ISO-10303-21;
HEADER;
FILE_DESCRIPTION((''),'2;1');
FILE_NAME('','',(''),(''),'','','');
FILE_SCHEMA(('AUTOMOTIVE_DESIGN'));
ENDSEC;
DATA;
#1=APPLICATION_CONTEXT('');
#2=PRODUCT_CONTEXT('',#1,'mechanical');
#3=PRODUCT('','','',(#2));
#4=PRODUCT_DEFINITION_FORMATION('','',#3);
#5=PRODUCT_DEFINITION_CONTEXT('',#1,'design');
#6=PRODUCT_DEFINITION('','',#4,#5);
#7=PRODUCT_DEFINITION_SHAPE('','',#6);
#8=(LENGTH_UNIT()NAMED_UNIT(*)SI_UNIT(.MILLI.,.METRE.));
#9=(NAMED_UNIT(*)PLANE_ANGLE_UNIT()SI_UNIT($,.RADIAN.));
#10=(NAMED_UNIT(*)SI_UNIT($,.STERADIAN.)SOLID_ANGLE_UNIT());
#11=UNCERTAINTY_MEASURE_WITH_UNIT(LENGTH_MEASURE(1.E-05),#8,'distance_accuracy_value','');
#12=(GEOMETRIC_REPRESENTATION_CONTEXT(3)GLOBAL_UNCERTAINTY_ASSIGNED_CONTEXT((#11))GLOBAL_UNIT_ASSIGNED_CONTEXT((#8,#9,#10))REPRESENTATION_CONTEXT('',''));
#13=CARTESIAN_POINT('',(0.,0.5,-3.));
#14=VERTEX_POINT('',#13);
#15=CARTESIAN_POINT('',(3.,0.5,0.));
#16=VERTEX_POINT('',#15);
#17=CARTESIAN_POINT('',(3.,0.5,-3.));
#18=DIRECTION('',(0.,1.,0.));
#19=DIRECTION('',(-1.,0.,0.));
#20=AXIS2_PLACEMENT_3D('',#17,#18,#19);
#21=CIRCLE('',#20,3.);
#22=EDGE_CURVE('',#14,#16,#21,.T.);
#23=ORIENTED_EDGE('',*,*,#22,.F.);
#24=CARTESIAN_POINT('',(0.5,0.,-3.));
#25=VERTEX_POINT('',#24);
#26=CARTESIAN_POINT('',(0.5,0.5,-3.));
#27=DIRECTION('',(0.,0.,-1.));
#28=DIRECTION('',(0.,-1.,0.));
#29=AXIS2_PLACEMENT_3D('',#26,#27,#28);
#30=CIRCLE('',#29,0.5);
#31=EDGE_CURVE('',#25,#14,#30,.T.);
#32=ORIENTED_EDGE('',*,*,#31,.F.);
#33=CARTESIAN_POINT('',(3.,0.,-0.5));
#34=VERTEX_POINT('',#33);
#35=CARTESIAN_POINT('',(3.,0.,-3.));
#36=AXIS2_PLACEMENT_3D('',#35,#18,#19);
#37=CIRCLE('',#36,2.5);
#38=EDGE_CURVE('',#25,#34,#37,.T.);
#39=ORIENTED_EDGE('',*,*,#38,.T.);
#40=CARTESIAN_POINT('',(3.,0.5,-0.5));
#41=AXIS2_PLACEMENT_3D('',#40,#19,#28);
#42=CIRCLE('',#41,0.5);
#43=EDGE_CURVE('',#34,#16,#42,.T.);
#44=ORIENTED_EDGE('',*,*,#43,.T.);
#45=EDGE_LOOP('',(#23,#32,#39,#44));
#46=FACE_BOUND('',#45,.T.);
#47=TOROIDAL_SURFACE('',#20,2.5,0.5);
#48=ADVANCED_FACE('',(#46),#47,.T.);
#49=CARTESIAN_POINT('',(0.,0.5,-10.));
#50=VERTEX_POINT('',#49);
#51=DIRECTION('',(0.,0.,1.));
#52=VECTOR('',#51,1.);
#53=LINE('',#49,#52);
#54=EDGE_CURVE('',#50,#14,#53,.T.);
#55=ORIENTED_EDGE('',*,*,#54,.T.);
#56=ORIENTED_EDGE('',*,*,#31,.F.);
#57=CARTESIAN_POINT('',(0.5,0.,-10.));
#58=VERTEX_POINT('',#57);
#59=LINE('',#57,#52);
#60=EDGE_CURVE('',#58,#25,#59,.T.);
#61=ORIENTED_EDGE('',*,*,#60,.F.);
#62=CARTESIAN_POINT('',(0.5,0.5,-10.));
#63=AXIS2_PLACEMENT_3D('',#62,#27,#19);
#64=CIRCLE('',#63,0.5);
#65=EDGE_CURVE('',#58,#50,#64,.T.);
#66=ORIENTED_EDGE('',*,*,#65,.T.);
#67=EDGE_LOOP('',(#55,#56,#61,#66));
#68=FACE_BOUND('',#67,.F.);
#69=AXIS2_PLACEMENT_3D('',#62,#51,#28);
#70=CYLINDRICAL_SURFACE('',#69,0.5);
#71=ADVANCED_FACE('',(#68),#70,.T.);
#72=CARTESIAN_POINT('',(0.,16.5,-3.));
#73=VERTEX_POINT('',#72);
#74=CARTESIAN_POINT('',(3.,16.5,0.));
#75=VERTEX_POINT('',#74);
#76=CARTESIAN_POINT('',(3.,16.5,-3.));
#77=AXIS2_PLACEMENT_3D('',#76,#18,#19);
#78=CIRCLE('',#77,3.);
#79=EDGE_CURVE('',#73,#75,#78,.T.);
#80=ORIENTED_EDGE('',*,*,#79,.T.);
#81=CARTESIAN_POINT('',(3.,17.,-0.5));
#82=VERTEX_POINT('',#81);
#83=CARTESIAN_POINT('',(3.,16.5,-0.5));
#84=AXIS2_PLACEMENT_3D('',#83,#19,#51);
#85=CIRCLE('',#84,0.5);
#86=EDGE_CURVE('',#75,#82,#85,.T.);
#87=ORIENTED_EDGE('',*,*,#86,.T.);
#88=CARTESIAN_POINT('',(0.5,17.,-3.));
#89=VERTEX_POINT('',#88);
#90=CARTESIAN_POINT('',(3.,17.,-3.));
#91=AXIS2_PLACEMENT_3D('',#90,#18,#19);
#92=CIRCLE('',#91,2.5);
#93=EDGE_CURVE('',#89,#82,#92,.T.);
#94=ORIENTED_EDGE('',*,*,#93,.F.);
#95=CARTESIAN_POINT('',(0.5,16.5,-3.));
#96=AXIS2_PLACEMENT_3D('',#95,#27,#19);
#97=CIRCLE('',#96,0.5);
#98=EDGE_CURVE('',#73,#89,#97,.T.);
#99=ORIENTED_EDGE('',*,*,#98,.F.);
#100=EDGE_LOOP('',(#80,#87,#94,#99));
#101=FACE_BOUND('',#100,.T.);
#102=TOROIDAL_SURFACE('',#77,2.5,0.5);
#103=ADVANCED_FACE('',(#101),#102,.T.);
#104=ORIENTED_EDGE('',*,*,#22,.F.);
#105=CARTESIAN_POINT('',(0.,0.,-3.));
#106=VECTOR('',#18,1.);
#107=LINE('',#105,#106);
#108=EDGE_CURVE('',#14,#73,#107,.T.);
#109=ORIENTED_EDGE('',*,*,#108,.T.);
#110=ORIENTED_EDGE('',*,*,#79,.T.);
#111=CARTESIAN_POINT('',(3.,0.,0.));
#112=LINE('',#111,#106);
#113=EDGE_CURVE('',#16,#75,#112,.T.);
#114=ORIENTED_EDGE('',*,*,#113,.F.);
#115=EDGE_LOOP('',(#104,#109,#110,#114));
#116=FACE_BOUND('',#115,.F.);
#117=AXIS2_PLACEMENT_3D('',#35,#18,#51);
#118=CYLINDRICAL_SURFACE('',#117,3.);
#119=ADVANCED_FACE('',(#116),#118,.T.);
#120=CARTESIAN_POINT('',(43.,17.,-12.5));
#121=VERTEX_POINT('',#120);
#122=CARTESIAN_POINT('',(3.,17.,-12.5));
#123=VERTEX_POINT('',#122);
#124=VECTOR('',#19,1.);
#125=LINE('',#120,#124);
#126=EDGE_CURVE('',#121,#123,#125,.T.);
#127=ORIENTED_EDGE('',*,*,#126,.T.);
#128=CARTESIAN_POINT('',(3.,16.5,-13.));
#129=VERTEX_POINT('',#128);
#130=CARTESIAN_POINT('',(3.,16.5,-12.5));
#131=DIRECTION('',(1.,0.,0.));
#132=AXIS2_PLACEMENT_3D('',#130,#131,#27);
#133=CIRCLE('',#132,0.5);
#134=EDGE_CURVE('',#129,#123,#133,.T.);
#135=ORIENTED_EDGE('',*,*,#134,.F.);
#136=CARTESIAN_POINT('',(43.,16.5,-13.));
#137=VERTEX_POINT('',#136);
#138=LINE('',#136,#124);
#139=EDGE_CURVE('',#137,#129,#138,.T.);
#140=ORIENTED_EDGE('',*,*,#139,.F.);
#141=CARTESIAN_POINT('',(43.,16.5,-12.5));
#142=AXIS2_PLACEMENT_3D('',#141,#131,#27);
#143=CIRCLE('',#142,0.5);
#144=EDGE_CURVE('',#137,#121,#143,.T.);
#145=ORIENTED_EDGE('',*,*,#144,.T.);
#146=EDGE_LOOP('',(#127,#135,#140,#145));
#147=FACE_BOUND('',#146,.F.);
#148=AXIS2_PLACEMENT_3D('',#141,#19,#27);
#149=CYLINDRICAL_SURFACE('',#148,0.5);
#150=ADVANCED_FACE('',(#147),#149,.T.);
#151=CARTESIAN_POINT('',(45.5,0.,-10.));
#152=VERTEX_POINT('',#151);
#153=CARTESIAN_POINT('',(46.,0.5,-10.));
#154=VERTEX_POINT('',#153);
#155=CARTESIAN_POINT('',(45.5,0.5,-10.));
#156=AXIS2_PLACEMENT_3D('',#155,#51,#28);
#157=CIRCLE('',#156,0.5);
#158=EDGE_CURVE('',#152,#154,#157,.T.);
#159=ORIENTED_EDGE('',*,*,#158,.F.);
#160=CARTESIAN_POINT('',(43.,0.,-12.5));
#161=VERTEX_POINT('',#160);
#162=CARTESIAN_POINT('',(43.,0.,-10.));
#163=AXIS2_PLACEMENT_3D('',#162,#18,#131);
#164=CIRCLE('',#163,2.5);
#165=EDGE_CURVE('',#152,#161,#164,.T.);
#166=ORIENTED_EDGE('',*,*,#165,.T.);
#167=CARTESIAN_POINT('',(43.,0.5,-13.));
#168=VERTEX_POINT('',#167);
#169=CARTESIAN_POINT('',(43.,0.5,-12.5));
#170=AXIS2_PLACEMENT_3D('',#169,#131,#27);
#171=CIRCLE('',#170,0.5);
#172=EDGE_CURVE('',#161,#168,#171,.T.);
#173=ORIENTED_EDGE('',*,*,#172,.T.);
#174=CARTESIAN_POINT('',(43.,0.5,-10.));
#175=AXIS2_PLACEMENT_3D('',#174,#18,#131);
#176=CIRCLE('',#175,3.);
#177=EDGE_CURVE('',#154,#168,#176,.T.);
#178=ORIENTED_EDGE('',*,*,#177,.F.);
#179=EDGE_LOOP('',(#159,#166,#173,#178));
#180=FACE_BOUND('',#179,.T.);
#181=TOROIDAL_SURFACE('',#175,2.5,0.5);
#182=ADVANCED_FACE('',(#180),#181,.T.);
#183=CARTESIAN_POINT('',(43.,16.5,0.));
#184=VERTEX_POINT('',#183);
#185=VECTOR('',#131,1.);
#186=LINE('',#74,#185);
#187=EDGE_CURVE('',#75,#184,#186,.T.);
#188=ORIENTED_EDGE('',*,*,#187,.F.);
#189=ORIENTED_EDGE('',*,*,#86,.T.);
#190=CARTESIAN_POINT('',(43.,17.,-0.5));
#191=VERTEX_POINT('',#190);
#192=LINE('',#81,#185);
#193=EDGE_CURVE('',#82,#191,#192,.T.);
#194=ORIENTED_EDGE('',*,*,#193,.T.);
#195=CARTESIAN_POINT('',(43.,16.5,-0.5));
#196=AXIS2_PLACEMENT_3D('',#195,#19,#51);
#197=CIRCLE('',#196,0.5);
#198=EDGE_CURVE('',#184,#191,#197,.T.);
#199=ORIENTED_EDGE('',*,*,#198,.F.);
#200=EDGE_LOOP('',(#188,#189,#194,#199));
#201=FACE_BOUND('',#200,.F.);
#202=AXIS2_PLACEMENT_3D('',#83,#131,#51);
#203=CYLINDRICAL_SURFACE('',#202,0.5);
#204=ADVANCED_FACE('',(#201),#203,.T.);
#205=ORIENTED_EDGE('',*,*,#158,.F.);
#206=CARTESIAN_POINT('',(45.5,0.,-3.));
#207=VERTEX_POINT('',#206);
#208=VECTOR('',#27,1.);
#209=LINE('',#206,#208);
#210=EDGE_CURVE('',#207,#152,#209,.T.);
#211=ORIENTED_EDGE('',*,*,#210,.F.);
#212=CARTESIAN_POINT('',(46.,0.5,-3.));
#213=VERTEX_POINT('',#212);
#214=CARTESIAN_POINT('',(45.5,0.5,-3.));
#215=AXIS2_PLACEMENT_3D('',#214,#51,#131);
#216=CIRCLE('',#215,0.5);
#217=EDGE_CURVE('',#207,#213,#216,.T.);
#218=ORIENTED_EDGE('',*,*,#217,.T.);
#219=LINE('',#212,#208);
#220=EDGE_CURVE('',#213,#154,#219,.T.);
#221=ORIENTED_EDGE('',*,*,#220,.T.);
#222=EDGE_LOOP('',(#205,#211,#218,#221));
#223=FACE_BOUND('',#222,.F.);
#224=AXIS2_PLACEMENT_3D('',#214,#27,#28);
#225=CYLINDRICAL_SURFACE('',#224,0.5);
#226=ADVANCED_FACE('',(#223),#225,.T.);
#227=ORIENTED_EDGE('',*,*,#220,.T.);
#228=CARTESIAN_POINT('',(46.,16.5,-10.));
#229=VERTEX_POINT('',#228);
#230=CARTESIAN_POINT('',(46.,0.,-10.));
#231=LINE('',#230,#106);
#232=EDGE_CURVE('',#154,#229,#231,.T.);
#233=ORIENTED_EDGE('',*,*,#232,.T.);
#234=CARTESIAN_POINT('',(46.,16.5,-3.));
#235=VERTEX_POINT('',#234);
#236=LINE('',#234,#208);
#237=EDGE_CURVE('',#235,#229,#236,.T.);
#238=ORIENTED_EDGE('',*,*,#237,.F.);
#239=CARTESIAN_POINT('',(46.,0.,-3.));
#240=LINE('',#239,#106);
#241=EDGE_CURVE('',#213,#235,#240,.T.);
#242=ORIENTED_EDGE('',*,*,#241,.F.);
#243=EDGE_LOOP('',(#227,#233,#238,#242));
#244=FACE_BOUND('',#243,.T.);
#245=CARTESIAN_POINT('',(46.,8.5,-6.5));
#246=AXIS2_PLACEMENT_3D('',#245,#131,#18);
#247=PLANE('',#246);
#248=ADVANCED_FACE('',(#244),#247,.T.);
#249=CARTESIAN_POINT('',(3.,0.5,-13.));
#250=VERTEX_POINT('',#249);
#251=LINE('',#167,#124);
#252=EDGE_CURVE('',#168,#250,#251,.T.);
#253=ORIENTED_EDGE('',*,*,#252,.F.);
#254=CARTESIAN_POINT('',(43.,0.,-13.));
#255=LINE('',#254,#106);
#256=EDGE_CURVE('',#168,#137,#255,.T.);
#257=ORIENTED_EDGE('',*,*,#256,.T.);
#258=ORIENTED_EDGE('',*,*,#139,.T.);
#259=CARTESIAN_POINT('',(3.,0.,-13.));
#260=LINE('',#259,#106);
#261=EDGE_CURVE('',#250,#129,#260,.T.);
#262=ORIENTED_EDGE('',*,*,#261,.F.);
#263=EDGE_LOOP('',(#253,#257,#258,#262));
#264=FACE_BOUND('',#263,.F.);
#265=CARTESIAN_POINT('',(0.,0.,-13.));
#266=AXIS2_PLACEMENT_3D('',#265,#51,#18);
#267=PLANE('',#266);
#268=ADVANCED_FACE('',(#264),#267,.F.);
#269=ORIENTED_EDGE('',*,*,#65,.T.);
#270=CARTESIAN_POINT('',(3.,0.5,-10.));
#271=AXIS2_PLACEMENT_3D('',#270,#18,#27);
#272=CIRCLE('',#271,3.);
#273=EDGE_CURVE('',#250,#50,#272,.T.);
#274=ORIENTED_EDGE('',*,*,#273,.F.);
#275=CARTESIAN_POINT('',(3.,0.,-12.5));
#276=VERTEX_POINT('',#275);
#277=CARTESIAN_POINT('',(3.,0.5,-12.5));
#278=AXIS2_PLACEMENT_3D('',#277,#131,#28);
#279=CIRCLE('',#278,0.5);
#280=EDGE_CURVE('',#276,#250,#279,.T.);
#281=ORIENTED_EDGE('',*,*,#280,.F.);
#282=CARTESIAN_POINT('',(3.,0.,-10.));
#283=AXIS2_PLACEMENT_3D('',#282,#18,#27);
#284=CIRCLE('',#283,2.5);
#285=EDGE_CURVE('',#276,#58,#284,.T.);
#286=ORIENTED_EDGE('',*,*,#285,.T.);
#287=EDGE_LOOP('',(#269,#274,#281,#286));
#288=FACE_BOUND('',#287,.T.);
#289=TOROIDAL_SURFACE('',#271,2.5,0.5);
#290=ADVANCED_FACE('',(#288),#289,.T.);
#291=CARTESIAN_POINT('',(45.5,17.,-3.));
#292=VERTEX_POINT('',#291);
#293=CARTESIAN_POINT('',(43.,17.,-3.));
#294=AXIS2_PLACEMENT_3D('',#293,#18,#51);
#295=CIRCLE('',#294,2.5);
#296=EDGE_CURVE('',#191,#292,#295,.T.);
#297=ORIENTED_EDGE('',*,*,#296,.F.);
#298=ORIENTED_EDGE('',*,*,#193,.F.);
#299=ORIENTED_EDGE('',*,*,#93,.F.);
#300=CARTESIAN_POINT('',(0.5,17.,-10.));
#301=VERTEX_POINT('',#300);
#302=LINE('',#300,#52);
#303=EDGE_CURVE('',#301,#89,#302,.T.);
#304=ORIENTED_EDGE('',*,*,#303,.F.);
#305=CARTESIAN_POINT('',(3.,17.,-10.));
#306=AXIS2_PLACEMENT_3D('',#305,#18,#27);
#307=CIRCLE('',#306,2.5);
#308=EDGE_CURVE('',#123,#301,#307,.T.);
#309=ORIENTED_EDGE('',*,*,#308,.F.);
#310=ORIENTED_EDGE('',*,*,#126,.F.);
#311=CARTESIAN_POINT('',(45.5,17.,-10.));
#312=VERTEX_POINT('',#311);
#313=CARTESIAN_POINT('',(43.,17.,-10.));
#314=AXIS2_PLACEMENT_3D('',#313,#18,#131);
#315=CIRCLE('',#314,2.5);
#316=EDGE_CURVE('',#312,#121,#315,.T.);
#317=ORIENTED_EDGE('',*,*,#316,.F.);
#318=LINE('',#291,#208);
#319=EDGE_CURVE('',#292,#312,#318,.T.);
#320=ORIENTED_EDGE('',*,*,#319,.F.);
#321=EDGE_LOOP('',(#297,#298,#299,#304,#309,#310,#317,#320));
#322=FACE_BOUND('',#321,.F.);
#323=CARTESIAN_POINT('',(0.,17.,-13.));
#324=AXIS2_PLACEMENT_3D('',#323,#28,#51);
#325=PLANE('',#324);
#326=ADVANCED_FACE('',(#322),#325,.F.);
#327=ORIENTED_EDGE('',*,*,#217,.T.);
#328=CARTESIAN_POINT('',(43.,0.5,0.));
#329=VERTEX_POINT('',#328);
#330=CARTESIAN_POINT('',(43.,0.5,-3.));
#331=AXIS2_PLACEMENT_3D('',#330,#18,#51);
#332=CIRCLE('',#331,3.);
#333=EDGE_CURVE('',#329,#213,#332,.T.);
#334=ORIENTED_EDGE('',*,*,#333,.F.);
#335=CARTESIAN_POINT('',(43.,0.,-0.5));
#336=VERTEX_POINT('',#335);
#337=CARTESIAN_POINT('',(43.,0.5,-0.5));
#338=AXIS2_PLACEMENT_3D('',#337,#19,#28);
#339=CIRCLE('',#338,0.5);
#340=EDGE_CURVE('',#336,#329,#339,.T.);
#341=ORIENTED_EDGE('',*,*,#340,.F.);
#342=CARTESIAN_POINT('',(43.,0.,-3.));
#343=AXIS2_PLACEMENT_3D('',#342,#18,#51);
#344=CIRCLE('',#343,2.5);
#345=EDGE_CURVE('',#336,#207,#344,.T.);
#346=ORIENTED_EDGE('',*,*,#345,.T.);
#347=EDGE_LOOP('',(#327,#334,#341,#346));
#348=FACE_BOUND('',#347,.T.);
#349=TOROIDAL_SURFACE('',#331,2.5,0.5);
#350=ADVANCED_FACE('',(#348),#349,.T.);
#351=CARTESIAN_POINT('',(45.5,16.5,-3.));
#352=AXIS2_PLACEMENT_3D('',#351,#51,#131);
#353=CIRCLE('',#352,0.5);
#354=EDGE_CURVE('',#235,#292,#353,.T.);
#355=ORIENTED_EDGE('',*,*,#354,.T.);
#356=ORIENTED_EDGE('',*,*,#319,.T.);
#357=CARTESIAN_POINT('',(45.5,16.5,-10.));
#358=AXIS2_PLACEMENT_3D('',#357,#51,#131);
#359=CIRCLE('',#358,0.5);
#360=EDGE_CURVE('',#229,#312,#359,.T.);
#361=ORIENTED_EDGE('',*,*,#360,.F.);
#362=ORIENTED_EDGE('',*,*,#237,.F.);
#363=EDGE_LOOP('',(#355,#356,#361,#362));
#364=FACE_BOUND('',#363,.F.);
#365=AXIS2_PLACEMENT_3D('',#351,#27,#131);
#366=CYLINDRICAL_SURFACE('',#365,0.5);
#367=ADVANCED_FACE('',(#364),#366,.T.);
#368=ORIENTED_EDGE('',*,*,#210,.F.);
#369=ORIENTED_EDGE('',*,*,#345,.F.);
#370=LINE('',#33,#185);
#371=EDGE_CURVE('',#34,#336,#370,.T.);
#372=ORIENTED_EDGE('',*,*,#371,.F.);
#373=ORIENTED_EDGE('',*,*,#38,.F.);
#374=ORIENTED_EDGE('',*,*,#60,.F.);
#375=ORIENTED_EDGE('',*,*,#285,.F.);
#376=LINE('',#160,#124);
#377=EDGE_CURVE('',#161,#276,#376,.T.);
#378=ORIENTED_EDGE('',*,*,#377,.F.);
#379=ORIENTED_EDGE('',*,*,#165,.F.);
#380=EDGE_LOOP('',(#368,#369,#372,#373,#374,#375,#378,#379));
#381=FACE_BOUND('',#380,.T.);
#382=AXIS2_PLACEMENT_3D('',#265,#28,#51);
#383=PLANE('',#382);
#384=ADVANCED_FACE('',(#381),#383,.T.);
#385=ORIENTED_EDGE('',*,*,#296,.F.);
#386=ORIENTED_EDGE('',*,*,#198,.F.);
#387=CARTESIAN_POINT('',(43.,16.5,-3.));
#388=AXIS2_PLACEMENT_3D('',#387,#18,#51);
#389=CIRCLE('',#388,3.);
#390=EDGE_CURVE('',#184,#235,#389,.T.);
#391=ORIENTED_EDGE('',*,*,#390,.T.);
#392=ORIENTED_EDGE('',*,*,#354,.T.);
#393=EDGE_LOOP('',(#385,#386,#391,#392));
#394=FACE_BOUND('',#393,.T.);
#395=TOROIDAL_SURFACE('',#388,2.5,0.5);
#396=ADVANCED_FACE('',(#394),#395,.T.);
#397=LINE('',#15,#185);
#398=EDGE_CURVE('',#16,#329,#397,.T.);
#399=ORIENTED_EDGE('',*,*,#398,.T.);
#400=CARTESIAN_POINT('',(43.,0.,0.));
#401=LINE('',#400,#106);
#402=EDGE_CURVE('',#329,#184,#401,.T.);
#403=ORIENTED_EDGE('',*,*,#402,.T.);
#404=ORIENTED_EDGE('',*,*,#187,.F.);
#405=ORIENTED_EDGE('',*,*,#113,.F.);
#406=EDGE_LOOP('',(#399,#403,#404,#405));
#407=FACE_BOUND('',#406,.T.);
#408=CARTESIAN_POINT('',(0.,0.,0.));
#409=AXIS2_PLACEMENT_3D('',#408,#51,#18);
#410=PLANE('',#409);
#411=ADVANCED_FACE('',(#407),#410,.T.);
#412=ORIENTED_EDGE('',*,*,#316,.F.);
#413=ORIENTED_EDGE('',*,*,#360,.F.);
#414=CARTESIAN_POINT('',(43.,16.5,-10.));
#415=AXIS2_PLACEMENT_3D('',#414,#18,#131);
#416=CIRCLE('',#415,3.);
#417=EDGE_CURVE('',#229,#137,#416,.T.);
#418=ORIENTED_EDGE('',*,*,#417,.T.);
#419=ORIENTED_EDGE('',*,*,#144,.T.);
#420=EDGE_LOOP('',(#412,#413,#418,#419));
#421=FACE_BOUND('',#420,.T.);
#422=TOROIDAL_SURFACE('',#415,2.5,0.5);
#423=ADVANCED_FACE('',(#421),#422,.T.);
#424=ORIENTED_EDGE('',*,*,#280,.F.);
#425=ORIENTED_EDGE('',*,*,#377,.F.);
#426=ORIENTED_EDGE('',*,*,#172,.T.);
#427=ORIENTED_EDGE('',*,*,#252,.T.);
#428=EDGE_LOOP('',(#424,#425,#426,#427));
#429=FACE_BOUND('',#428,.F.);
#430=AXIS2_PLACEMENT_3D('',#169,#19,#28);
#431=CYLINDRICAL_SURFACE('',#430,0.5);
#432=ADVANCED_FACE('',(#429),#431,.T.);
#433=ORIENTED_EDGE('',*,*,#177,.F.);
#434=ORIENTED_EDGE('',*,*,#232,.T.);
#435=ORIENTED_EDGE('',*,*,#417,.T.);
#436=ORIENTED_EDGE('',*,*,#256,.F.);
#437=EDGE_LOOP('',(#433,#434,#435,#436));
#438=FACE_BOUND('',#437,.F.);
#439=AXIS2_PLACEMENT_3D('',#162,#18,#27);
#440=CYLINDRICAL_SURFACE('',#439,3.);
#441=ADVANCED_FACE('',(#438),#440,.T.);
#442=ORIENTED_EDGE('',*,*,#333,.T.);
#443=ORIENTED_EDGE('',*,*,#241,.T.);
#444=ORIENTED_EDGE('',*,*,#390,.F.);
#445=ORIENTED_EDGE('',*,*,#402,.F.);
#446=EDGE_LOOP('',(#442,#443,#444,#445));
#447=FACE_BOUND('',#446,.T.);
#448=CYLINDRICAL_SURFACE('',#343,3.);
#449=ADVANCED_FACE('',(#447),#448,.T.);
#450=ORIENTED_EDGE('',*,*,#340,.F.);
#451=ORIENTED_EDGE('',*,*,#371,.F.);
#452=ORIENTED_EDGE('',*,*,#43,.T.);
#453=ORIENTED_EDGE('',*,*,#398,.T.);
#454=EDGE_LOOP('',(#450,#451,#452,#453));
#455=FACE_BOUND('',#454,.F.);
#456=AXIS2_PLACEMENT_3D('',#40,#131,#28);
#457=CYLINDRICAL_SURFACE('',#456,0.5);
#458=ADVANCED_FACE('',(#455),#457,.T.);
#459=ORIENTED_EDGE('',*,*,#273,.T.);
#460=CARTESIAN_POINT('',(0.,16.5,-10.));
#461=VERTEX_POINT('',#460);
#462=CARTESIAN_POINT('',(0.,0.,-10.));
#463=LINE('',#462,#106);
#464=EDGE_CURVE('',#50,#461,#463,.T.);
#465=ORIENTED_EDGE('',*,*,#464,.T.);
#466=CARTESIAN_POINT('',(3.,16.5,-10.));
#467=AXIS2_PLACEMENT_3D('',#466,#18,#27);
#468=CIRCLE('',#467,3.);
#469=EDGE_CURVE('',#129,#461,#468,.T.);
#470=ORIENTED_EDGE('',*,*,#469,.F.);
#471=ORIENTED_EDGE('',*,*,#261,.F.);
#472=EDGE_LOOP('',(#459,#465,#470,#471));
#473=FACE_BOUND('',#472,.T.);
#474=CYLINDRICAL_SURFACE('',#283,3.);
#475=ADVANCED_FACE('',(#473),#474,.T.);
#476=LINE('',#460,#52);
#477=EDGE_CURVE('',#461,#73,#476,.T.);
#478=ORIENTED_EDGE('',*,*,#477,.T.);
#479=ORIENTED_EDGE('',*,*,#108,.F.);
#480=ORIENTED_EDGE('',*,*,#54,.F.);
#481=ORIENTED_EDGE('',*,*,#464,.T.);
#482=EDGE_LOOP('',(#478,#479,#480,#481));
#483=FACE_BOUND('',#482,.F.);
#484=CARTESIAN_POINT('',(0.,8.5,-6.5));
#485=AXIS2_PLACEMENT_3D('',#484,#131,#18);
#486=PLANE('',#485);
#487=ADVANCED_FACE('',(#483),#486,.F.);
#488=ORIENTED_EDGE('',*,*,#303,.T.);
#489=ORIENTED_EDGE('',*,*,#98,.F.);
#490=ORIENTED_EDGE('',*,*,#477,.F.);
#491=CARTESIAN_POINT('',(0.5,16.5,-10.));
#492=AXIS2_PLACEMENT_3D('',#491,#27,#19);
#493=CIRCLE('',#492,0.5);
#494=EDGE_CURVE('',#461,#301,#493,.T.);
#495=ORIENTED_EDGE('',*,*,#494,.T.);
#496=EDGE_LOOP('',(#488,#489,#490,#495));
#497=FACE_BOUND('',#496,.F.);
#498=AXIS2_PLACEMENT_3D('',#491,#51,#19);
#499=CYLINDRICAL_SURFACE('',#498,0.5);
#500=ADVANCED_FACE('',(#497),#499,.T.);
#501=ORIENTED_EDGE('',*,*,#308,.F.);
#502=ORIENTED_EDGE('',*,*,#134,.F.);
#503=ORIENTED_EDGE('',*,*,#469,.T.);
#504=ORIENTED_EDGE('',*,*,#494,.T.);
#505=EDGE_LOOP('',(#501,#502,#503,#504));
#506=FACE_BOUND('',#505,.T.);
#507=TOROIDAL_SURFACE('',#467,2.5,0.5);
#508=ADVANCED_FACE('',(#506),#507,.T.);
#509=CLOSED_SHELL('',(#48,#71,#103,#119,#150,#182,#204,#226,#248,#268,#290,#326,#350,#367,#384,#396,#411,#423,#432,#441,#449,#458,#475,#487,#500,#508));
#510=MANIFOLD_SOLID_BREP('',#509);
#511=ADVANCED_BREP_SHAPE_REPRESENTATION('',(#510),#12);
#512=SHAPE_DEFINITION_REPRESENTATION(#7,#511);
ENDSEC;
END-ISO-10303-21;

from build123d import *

# Parameters (mm, degrees)
F0_W     = 17
F0_H     = 13
F1_DEPTH = 46
F2_R     = 3
F3_R     = 0.5


with BuildPart() as f1:
    # F0 (on Right) → F1 (new body)
    with BuildSketch(Plane.YZ):
        with Locations((8.5, -6.5)):
            Rectangle(F0_W, F0_H)
    extrude(amount=F1_DEPTH)

    # F2
    f2_edges = [f1.edges().sort_by_distance(p)[0] for p in [
        (46, 8.5, 0),
        (46, 8.5, -13),
        (0, 8.5, 0),
        (0, 8.5, -13),
    ]]
    fillet(f2_edges, radius=F2_R)

    # F3
    f3_edges = [f1.edges().sort_by_distance(p)[0] for p in [
        (23, 0, 0),
        (23, 17, 0),
    ]]
    fillet(f3_edges, radius=F3_R)


solid = f1.part
